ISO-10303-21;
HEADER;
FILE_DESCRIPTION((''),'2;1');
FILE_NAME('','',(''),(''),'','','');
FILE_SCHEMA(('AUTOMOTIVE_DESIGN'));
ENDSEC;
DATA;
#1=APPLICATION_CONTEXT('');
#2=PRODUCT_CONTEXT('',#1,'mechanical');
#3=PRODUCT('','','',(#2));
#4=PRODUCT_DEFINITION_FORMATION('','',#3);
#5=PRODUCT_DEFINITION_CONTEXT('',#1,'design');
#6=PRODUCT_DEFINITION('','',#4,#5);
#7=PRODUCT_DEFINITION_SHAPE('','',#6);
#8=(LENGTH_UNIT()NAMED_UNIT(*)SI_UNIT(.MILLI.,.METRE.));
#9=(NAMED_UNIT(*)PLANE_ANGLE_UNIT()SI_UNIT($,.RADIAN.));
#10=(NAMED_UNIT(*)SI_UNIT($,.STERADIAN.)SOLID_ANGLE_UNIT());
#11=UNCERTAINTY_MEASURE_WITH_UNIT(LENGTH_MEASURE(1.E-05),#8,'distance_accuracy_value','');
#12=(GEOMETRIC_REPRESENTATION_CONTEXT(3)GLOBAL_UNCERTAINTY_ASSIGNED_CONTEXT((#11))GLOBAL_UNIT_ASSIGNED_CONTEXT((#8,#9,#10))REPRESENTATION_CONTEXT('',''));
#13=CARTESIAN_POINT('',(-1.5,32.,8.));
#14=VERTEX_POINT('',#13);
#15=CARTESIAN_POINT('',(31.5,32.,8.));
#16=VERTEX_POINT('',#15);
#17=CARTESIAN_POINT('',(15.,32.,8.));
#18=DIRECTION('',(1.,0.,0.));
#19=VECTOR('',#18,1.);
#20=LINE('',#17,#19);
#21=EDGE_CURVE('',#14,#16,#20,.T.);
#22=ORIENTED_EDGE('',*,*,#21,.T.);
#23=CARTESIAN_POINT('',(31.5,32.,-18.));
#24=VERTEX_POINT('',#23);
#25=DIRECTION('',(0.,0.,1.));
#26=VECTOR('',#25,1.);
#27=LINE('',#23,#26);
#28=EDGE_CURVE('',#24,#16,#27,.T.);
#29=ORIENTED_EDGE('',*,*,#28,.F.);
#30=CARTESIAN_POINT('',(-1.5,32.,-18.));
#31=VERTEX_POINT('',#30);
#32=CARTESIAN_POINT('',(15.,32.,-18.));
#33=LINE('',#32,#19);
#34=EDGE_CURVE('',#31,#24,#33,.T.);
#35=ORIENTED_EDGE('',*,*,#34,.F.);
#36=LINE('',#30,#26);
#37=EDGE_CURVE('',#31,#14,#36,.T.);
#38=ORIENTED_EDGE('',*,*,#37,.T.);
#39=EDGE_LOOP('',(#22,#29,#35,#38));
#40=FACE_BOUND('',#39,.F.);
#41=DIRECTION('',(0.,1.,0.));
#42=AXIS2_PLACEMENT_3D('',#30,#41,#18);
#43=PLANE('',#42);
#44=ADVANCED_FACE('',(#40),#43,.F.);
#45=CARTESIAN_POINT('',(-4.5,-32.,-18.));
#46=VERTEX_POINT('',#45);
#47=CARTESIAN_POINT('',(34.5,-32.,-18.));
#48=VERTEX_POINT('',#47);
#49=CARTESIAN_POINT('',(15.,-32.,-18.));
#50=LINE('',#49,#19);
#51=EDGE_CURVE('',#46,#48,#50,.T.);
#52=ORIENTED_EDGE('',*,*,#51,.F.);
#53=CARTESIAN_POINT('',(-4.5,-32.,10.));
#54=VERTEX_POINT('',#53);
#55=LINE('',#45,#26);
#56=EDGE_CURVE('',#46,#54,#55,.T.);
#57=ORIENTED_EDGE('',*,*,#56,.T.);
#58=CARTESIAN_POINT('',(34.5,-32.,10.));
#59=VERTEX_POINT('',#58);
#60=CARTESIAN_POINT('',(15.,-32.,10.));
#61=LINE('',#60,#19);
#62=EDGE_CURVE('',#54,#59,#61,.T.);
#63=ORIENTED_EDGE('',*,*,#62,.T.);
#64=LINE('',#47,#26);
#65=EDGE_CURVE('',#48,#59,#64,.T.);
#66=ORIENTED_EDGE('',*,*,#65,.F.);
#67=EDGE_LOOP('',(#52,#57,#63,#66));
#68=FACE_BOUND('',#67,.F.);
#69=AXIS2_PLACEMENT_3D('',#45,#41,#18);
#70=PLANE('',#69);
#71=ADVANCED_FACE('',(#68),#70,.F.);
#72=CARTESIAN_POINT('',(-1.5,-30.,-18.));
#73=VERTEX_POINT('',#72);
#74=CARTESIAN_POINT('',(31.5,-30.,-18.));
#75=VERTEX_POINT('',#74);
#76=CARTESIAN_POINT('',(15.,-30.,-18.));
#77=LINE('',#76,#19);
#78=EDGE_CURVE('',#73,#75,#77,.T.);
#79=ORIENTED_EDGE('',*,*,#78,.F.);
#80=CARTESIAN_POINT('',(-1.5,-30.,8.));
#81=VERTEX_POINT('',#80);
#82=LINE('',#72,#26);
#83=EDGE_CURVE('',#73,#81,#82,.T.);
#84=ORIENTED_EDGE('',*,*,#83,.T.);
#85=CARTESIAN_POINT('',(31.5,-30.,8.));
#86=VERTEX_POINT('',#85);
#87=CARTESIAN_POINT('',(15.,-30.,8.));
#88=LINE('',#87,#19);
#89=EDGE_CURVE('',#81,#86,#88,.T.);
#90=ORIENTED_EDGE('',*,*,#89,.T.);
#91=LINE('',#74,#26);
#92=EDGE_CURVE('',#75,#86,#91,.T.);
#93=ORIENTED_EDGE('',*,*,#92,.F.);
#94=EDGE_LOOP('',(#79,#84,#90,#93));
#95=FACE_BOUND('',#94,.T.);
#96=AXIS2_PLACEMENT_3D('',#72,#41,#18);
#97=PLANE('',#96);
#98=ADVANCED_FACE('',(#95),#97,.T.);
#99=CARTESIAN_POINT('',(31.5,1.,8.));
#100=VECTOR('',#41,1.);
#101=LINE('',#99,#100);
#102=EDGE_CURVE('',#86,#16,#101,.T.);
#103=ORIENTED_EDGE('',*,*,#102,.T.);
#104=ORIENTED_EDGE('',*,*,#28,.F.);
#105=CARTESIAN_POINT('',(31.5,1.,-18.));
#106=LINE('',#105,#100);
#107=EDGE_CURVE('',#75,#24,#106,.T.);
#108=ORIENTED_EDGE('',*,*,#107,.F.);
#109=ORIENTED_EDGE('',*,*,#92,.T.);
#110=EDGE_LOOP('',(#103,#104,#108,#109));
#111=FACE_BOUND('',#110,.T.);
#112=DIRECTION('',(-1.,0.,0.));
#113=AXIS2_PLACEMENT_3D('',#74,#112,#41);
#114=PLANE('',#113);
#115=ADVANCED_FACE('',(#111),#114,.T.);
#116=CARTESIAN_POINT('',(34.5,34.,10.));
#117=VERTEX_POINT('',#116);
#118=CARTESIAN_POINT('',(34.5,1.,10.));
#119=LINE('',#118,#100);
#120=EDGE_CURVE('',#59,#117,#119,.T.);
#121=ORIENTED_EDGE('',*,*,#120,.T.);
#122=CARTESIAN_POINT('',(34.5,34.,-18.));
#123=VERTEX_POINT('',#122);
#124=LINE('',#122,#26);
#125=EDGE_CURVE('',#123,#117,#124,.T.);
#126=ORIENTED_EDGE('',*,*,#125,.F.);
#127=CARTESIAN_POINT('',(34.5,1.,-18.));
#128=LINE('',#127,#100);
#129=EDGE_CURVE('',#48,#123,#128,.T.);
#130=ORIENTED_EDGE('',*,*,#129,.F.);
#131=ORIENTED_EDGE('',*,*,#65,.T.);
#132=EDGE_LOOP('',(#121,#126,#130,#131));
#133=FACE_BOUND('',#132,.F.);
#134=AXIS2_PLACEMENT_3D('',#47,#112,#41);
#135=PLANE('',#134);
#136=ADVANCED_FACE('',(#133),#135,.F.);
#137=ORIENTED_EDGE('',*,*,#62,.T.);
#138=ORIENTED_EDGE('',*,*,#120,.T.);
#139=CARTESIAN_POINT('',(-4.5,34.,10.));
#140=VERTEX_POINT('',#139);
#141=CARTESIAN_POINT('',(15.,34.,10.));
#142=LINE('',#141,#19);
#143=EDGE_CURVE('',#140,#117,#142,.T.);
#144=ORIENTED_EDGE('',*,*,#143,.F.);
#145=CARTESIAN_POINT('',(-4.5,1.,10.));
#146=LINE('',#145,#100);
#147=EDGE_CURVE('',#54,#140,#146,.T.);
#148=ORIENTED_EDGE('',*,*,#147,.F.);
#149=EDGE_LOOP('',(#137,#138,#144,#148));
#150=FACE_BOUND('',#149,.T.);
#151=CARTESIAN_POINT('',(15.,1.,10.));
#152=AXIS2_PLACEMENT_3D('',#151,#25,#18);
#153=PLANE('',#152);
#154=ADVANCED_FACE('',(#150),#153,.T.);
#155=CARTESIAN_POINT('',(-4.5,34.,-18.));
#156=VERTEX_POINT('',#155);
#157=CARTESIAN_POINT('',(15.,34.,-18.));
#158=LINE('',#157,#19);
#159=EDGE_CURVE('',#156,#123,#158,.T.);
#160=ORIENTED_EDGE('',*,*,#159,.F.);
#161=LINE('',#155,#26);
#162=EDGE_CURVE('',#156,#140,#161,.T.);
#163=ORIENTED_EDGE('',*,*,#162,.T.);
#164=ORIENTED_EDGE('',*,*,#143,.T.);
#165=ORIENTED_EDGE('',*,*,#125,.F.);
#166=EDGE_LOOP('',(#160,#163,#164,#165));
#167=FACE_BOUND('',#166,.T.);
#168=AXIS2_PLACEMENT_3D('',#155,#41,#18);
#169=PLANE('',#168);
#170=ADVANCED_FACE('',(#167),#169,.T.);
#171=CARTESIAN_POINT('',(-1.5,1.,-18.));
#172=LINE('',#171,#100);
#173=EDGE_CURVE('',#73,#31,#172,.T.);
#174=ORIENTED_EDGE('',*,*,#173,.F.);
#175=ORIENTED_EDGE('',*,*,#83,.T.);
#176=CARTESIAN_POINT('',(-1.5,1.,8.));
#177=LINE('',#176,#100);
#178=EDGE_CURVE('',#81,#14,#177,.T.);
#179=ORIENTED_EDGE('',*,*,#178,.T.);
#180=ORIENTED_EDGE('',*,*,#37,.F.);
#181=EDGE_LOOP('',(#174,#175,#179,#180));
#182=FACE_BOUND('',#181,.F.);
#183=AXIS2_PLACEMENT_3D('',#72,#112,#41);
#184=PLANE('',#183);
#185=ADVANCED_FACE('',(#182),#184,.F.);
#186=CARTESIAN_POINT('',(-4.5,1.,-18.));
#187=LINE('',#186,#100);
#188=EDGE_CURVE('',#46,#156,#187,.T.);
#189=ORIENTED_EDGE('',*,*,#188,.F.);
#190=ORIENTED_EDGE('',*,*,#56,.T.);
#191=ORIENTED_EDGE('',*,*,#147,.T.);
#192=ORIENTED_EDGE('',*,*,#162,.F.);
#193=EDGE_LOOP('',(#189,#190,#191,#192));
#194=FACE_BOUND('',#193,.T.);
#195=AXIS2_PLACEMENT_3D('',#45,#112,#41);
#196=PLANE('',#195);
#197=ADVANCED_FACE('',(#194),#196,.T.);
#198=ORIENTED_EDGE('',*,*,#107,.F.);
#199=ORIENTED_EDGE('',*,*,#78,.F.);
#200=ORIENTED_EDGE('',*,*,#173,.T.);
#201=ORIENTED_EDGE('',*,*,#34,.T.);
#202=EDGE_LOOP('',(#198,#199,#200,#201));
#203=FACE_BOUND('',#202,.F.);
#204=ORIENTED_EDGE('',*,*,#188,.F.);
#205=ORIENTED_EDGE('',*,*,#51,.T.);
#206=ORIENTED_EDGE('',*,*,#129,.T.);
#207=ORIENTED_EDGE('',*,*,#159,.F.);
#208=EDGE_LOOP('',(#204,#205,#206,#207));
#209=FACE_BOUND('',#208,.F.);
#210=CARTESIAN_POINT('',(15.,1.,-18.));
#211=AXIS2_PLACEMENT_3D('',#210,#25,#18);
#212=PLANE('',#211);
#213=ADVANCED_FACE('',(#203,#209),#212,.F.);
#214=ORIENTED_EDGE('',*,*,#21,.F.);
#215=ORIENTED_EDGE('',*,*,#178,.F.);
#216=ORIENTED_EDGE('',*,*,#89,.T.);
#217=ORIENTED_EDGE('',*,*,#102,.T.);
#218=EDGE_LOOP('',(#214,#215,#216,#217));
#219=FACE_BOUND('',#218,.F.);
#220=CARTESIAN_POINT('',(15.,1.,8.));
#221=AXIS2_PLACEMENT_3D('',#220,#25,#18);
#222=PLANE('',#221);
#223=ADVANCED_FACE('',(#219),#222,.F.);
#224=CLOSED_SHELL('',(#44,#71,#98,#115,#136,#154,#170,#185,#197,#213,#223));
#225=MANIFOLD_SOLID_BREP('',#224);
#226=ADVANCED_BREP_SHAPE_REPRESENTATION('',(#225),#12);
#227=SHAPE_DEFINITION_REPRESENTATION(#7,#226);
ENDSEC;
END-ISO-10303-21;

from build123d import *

# Parameters (mm, degrees)
BOX003_W     = 33
BOX003_H     = 62
BOX003_DEPTH = 26
BOX001_W     = 39
BOX001_H     = 66
BOX001_DEPTH = 28


with BuildPart() as body_in:
    # Box003 → Box003 (new body)
    with BuildSketch(Plane(origin=(-1.5, -30, -18), x_dir=(1, 0, 0), z_dir=(0, 0, 1))):
        with Locations((16.5, 31)):
            Rectangle(BOX003_W, BOX003_H)
    extrude(amount=BOX003_DEPTH)


with BuildPart() as body:
    # Box001 → Box001 (new body)
    with BuildSketch(Plane(origin=(-4.5, -32, -18), x_dir=(1, 0, 0), z_dir=(0, 0, 1))):
        with Locations((19.5, 33)):
            Rectangle(BOX001_W, BOX001_H)
    extrude(amount=BOX001_DEPTH)

    # Cut: cut Body_in
    add(body_in.part, mode=Mode.SUBTRACT)


solid = body.part
